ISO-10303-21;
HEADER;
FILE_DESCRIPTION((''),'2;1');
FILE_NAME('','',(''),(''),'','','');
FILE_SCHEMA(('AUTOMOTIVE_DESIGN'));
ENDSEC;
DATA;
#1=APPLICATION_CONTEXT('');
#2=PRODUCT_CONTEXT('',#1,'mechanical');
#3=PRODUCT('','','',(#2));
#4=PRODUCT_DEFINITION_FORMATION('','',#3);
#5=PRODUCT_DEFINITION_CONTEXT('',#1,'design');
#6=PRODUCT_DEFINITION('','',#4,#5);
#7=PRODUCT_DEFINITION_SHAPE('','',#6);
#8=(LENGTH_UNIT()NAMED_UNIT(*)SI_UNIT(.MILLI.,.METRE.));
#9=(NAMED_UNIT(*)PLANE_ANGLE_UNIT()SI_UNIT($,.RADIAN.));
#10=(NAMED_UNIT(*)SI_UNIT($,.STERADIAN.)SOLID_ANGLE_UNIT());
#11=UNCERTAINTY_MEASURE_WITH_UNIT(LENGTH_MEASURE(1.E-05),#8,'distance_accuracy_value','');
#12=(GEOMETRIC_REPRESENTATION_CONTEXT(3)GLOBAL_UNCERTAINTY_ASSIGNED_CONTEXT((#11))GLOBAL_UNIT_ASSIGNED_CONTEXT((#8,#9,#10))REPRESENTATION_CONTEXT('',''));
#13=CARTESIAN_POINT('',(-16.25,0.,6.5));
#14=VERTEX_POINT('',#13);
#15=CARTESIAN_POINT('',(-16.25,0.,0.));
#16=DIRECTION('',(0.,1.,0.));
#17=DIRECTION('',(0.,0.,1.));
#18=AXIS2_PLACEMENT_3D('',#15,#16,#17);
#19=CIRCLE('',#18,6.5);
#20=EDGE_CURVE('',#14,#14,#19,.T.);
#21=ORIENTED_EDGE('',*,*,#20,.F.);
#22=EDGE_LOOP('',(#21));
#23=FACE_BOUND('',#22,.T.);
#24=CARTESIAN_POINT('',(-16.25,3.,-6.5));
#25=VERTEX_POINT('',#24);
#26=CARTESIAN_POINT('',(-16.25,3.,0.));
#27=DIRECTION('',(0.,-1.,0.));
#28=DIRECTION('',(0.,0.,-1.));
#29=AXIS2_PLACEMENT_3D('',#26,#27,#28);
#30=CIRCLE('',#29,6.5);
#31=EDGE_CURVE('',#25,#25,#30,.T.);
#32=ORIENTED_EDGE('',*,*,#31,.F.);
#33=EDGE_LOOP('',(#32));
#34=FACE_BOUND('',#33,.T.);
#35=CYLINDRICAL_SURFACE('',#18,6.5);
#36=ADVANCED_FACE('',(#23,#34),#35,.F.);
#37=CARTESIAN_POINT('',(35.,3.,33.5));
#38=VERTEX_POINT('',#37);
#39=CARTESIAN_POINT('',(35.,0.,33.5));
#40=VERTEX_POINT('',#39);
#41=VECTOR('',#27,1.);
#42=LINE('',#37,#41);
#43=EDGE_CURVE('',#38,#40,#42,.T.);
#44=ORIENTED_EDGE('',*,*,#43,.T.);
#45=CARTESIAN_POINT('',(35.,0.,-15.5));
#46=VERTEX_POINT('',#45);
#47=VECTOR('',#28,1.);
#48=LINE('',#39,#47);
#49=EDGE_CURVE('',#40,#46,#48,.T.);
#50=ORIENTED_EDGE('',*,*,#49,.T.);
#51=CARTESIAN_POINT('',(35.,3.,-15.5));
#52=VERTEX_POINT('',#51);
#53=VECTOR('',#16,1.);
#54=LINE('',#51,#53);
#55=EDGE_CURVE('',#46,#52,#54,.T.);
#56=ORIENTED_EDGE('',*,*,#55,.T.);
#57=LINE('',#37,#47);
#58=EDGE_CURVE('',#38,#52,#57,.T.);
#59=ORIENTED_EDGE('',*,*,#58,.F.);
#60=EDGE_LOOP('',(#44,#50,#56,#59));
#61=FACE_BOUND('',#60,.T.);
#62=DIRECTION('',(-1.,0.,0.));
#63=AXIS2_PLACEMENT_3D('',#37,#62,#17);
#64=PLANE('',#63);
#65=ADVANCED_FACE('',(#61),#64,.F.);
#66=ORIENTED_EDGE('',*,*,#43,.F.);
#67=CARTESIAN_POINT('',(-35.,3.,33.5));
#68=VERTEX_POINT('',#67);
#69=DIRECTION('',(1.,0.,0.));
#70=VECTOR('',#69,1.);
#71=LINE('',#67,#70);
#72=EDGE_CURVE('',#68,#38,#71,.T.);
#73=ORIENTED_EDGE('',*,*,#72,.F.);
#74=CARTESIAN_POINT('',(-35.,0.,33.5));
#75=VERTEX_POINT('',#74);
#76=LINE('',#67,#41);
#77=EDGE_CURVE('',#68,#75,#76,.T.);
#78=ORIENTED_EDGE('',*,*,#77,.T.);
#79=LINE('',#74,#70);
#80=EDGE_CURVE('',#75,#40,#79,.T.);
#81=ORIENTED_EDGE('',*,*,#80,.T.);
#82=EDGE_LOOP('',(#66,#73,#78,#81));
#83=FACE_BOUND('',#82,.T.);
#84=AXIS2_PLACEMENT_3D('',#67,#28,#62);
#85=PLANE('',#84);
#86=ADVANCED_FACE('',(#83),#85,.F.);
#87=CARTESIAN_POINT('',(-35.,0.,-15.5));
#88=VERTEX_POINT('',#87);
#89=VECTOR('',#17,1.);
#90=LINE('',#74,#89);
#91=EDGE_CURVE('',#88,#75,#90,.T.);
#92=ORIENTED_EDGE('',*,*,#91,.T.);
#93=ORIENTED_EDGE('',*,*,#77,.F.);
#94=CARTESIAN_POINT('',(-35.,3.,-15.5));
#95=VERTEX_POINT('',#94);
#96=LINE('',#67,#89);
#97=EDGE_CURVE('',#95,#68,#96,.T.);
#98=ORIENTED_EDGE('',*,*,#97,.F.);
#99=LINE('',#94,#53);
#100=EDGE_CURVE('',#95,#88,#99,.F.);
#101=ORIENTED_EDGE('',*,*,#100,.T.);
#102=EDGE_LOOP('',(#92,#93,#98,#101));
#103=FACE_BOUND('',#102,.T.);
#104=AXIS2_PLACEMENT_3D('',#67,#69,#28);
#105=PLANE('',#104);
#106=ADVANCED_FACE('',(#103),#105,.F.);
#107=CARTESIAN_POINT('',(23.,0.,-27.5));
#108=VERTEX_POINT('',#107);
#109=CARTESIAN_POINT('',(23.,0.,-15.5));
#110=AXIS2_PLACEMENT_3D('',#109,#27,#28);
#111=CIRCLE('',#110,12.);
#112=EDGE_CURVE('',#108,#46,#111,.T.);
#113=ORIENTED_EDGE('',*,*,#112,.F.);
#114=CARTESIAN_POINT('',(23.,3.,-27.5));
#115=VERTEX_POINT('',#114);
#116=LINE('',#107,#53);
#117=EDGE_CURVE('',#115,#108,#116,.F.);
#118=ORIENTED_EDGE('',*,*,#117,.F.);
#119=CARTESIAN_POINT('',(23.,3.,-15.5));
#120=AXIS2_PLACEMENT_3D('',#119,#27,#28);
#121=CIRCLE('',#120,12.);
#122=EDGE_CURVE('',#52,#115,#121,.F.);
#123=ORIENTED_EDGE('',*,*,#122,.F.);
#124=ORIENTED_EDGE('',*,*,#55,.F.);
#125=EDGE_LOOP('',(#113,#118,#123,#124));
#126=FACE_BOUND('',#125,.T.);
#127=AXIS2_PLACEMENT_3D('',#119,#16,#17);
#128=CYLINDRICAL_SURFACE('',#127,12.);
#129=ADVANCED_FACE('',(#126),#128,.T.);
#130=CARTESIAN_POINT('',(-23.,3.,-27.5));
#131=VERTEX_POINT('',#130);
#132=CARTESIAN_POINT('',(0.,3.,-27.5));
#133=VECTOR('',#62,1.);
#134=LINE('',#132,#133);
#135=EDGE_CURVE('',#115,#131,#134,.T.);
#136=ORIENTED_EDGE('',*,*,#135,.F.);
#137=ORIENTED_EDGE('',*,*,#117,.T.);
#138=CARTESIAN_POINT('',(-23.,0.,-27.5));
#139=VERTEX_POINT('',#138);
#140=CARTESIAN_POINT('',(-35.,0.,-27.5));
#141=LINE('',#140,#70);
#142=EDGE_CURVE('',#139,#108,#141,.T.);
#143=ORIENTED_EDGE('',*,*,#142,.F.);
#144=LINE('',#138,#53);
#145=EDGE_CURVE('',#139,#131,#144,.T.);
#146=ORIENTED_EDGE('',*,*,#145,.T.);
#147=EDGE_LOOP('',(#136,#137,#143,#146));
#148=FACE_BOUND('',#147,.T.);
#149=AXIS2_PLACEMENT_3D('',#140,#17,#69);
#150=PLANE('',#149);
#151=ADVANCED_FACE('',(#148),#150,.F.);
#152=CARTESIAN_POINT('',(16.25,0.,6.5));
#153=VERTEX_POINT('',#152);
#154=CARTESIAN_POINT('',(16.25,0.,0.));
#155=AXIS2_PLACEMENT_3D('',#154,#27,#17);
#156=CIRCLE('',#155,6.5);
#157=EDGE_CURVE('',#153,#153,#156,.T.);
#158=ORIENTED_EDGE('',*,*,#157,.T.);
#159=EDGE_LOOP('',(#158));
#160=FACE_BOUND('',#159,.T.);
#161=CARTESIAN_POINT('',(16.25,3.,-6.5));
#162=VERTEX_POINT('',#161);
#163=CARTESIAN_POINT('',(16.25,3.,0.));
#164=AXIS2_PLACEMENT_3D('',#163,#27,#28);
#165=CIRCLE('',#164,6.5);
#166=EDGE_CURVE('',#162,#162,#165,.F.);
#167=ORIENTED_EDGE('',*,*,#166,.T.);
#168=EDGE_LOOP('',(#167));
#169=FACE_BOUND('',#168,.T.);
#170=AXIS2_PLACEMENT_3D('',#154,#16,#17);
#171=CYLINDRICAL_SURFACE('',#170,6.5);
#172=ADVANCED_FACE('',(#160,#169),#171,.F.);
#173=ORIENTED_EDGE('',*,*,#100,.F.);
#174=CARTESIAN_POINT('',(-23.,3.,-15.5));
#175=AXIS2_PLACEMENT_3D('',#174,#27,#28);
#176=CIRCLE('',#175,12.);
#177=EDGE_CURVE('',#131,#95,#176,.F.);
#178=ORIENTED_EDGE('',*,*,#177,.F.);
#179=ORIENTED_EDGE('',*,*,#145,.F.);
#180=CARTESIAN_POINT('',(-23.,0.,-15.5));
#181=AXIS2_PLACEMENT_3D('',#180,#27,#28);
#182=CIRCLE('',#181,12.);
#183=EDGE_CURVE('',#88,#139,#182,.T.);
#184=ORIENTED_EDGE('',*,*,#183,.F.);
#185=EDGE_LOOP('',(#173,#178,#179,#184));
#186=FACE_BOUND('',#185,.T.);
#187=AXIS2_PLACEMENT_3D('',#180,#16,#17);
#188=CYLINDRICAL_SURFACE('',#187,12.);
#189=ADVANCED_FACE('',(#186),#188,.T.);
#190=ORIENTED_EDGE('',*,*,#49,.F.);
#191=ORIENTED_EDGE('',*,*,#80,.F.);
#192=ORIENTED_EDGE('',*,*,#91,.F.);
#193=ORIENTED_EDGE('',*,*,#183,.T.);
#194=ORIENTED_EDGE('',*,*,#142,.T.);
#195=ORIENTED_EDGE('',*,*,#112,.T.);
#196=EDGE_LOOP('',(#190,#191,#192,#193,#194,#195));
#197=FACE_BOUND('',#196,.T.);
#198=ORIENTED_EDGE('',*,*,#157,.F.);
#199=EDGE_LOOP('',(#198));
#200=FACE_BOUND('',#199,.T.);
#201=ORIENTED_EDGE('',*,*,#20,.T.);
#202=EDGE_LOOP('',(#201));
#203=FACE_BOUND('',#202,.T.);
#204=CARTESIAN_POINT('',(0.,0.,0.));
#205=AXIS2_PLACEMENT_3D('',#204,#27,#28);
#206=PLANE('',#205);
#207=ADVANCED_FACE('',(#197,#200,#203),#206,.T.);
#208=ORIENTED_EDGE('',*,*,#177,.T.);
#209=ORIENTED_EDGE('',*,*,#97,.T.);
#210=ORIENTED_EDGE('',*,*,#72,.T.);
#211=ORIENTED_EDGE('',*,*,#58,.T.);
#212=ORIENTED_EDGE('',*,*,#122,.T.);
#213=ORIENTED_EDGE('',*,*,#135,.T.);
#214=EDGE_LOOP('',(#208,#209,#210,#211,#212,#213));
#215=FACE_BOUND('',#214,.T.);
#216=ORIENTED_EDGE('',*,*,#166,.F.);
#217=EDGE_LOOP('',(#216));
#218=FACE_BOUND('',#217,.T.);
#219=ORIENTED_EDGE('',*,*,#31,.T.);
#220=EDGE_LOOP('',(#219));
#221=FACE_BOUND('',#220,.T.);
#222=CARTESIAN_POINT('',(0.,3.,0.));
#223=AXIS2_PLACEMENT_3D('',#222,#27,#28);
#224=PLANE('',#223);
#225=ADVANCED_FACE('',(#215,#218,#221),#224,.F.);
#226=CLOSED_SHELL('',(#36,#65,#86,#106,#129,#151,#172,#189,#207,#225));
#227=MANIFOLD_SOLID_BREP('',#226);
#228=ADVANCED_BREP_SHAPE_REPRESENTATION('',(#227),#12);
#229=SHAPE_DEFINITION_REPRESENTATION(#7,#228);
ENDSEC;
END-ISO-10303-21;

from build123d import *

# Parameters (mm, degrees)
SKETCH1_W               = 70
SKETCH1_H               = 67
BOSS_EXTRUDE1_DEPTH     = 3
SKETCH5_W               = 70
SKETCH5_H               = 6
CUT_EXTRUDE4_DEPTH      = 1
CUT_EXTRUDE4_DEPTH_BACK = 4
FILLET1_R               = 12
CUT_EXTRUDE1_START      = -4
SKETCH2_R               = 6.5
CUT_EXTRUDE1_DEPTH      = 5


with BuildPart() as part:
    # Sketch1 → Boss-Extrude1 (new body)
    with BuildSketch(Plane(origin=(0, 0, 0), x_dir=(1, 0, 0), z_dir=(0, 1, 0))):
        Rectangle(SKETCH1_W, SKETCH1_H)
    extrude(amount=BOSS_EXTRUDE1_DEPTH)

    # Sketch5 → Cut-Extrude4 (cut, two sides)
    with BuildSketch(Plane(origin=(0, 3, 0), x_dir=(1, 0, 0), z_dir=(0, 1, 0))) as cut_extrude4_sk:
        with Locations((0, 30.5)):
            Rectangle(SKETCH5_W, SKETCH5_H)
    extrude(amount=CUT_EXTRUDE4_DEPTH, mode=Mode.SUBTRACT)
    extrude(cut_extrude4_sk.sketch, amount=-CUT_EXTRUDE4_DEPTH_BACK, mode=Mode.SUBTRACT)

    # Fillet1
    fillet1_edges = [part.edges().sort_by_distance(p)[0] for p in [
        (-35, 1.5, -27.5),
        (35, 1.5, -27.5),
    ]]
    fillet(fillet1_edges, radius=FILLET1_R)

    # Sketch2 → Cut-Extrude1 (cut)
    with BuildSketch(Plane(origin=(0, 3, 0), x_dir=(1, 0, 0), z_dir=(0, 1, 0)).offset(CUT_EXTRUDE1_START)):
        with Locations((-16.25, 0)):
            Circle(SKETCH2_R)
    cut_extrude1 = extrude(amount=CUT_EXTRUDE1_DEPTH, mode=Mode.SUBTRACT)

    # Mirror1: Cut-Extrude1 across plane
    add(cut_extrude1.mirror(Plane(origin=(0, 0, 0), x_dir=(0, 0, 1), z_dir=(1, 0, 0))), mode=Mode.SUBTRACT)


solid = part.part
